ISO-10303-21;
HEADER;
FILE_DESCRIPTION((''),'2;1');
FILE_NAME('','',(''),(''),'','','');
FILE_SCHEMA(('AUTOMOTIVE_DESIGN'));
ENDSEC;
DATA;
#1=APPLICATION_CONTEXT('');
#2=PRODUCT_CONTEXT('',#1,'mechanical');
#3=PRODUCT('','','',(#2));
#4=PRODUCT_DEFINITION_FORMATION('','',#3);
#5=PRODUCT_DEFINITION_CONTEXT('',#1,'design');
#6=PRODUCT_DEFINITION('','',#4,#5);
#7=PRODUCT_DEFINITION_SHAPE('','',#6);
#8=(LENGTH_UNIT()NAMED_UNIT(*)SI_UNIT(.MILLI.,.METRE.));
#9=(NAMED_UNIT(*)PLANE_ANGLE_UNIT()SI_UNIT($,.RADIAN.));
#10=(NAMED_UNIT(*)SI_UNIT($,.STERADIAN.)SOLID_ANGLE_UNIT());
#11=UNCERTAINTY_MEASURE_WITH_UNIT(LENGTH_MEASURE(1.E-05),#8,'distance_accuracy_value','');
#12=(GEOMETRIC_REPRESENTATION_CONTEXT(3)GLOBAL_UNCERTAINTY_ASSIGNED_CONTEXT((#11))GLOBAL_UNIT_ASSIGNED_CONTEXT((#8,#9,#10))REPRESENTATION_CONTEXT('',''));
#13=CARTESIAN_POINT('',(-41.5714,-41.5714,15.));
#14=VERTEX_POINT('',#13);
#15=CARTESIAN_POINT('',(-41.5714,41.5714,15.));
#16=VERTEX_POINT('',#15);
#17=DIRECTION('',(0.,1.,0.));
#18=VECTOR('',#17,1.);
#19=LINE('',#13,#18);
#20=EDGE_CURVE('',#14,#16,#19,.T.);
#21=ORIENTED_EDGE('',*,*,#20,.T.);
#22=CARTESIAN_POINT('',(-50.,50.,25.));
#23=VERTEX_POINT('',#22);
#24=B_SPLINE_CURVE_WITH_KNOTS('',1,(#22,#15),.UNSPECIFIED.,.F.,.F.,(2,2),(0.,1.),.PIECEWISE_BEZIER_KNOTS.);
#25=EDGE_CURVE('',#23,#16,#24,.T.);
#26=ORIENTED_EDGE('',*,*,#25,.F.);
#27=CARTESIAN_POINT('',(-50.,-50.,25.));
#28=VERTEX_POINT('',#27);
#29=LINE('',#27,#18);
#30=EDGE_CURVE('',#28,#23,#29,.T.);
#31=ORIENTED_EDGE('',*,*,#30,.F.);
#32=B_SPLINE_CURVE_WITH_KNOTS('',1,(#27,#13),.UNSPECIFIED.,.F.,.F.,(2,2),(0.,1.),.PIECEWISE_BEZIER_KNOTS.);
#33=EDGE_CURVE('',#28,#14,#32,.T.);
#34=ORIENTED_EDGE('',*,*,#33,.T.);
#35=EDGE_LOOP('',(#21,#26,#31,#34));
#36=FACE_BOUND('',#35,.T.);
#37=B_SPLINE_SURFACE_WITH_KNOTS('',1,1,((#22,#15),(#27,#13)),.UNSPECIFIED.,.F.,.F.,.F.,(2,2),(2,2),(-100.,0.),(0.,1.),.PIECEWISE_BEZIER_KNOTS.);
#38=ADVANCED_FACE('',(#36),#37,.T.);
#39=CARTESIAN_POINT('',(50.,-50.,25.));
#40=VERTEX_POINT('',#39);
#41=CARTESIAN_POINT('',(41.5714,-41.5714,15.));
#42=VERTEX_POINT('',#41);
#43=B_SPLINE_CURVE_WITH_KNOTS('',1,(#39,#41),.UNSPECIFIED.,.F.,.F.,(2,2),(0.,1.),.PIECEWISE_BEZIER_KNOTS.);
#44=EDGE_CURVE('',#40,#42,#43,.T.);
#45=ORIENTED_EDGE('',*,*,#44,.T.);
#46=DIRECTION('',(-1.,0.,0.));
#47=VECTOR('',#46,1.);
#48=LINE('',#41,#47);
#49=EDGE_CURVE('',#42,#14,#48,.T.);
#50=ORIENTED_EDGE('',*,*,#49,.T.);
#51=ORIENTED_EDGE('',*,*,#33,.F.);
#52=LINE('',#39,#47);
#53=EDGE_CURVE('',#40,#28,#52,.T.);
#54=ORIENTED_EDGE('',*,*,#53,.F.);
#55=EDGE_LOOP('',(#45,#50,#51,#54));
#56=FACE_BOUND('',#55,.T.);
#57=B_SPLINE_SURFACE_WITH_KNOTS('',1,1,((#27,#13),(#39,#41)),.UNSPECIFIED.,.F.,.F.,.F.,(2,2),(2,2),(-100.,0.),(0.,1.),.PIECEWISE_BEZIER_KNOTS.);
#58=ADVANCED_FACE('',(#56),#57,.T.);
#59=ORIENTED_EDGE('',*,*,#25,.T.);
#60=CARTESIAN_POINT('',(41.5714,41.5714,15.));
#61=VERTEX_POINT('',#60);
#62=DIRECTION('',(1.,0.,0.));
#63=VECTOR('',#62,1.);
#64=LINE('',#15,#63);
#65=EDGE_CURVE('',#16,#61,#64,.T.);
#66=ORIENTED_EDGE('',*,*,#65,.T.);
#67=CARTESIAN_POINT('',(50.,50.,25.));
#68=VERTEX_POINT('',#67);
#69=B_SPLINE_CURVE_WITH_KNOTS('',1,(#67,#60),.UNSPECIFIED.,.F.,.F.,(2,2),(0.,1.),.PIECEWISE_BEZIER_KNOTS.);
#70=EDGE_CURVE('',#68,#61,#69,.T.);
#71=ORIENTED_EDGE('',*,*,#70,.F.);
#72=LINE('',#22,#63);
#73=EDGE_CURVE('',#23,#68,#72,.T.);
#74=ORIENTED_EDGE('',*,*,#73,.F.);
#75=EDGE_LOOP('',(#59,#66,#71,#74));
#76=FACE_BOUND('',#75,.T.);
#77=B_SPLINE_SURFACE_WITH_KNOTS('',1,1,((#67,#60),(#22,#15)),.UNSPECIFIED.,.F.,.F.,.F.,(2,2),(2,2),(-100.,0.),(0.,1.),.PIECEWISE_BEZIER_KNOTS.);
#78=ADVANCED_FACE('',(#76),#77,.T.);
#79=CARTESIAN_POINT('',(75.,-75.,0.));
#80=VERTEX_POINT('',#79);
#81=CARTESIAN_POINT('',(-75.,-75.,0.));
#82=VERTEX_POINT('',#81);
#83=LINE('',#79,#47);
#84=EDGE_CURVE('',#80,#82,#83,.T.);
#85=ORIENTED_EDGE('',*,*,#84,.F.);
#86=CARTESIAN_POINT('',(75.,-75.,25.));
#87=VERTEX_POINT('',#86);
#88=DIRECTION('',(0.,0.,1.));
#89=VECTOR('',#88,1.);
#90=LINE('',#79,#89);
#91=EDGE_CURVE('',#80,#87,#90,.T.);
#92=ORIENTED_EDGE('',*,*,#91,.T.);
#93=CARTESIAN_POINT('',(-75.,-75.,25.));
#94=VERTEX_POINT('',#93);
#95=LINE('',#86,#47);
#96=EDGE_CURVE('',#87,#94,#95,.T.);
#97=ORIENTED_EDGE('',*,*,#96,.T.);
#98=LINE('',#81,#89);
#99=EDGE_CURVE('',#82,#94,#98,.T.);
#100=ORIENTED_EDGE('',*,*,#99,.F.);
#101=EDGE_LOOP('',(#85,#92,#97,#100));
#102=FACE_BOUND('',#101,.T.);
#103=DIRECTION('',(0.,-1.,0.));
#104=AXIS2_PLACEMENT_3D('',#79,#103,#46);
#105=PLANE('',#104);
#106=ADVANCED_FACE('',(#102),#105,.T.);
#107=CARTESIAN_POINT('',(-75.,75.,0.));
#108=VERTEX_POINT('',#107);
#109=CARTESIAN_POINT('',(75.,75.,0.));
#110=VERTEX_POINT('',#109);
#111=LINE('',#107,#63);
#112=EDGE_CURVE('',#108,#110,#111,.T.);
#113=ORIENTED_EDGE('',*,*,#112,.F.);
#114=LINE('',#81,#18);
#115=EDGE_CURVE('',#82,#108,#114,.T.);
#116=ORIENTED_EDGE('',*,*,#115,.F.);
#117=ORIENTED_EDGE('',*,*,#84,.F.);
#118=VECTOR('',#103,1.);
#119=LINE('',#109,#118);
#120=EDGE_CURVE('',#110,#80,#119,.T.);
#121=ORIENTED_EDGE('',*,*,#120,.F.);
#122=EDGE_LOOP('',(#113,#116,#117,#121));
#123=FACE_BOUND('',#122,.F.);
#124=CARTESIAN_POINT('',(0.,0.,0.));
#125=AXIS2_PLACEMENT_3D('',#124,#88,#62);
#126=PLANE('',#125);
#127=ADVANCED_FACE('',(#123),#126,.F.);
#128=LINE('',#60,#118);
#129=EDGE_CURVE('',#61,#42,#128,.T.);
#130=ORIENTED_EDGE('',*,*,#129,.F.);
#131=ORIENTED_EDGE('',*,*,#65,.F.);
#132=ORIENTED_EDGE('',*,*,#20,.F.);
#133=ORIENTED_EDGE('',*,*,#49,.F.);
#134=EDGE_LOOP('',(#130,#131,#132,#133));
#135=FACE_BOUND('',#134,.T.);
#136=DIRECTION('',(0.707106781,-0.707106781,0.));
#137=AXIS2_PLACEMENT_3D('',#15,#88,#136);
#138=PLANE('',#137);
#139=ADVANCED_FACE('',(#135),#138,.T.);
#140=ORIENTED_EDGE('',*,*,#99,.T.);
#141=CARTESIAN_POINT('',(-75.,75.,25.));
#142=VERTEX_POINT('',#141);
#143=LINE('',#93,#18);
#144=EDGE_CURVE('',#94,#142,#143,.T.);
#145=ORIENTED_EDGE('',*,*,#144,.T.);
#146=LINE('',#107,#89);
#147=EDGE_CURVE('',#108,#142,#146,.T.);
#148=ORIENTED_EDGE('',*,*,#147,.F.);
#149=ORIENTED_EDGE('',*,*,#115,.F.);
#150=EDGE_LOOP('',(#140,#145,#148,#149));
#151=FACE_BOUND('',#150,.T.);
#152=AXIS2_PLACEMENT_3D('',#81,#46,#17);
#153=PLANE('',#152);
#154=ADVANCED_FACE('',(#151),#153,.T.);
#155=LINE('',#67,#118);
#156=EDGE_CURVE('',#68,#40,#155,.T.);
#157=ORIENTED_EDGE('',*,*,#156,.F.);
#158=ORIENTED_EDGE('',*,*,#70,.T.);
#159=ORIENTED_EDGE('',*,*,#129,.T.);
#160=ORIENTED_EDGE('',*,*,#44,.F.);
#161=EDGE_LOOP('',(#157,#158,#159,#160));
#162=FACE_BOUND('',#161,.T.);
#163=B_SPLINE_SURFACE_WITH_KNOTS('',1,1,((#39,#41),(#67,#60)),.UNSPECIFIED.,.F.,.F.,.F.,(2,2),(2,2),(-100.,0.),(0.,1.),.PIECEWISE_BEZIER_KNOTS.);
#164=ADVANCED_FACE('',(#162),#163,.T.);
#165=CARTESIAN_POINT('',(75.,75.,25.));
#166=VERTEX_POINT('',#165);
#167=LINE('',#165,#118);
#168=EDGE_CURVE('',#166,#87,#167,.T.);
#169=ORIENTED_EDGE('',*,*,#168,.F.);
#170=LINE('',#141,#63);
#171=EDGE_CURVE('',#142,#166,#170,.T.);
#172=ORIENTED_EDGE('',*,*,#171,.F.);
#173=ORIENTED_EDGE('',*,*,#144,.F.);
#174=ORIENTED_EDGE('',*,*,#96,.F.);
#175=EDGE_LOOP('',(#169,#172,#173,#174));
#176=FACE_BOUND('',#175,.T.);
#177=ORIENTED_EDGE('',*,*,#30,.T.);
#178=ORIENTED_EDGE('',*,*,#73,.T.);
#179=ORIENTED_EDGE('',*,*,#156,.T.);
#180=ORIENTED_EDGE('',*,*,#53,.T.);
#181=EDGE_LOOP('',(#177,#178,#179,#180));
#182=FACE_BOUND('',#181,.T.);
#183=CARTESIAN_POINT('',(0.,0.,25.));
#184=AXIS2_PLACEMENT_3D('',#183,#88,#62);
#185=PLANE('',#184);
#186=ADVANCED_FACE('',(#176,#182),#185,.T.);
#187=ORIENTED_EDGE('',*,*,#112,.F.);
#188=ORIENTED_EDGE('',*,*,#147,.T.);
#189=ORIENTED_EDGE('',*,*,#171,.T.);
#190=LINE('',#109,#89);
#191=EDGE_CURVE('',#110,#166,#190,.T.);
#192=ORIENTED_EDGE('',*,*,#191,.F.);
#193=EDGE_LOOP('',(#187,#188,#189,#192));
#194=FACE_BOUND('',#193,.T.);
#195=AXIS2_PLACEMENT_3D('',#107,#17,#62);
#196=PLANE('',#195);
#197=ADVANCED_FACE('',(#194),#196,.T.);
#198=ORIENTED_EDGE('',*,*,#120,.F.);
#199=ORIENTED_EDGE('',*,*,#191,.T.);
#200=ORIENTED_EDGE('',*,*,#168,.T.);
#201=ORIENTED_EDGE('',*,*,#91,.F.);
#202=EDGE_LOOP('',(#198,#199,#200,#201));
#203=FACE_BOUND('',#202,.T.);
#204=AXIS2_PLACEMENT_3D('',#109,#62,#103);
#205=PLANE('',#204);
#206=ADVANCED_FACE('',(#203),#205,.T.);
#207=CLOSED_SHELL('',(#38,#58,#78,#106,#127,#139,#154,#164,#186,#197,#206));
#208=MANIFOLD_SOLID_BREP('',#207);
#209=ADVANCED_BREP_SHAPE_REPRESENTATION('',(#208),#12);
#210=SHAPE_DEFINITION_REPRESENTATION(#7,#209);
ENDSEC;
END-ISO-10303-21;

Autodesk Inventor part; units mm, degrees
sketch "Boceto1" plane through (0, 0, 0) normal (0, 0, 1) x (1, 0, 0)
  line L0 (-75, 75) -> (75, 75)
  line L1 (75, 75) -> (75, -75)
  line L2 (75, -75) -> (-75, -75)
  line L3 (-75, -75) -> (-75, 75)
  line L4 (-75, 75) -> (75, -75) construction
  line L5 (75, 75) -> (-75, -75) construction
  point P0 (0, 0)
  dimension "d0" = 150
  dimension "d1" = 150
extrude "Extrusión1" add sketch "Boceto1" along normal blind 25
sketch "Boceto2" plane through (0, 0, 25) normal (0, 0, 1) x (1, 0, 0)
  line L0 (-50, 50) -> (50, 50)
  line L1 (50, 50) -> (50, -50)
  line L2 (50, -50) -> (-50, -50)
  line L3 (-50, -50) -> (-50, 50)
  line L4 (-50, 50) -> (50, -50) construction
  line L5 (50, 50) -> (-50, -50) construction
  point P0 (0, 0)
  dimension "d4" = 100
  dimension "d5" = 100
ref_plane "Plano de trabajo1" through (0, 0, 15) normal (0, 0, 1) x (1, 0, 0)
sketch "Boceto4" plane through (0, 0, 15) normal (0, 0, 1) x (1, 0, 0)
  line L0 (-41.5714, 41.5714) -> (41.5714, 41.5714)
  line L1 (41.5714, 41.5714) -> (41.5714, -41.5714)
  line L2 (41.5714, -41.5714) -> (-41.5714, -41.5714)
  line L3 (-41.5714, -41.5714) -> (-41.5714, 41.5714)
  line L4 (-41.5714, 41.5714) -> (41.5714, -41.5714) construction
  line L5 (41.5714, 41.5714) -> (-41.5714, -41.5714) construction
  point P0 (0, 0)
  dimension "d9" = 83.1428
  dimension "d10" = 83.1428
loft "Solevación1" cut profiles "Boceto2", "Boceto4"
properties part number "Placa - Bolsillo 50°, Profundidad 10 mm"
